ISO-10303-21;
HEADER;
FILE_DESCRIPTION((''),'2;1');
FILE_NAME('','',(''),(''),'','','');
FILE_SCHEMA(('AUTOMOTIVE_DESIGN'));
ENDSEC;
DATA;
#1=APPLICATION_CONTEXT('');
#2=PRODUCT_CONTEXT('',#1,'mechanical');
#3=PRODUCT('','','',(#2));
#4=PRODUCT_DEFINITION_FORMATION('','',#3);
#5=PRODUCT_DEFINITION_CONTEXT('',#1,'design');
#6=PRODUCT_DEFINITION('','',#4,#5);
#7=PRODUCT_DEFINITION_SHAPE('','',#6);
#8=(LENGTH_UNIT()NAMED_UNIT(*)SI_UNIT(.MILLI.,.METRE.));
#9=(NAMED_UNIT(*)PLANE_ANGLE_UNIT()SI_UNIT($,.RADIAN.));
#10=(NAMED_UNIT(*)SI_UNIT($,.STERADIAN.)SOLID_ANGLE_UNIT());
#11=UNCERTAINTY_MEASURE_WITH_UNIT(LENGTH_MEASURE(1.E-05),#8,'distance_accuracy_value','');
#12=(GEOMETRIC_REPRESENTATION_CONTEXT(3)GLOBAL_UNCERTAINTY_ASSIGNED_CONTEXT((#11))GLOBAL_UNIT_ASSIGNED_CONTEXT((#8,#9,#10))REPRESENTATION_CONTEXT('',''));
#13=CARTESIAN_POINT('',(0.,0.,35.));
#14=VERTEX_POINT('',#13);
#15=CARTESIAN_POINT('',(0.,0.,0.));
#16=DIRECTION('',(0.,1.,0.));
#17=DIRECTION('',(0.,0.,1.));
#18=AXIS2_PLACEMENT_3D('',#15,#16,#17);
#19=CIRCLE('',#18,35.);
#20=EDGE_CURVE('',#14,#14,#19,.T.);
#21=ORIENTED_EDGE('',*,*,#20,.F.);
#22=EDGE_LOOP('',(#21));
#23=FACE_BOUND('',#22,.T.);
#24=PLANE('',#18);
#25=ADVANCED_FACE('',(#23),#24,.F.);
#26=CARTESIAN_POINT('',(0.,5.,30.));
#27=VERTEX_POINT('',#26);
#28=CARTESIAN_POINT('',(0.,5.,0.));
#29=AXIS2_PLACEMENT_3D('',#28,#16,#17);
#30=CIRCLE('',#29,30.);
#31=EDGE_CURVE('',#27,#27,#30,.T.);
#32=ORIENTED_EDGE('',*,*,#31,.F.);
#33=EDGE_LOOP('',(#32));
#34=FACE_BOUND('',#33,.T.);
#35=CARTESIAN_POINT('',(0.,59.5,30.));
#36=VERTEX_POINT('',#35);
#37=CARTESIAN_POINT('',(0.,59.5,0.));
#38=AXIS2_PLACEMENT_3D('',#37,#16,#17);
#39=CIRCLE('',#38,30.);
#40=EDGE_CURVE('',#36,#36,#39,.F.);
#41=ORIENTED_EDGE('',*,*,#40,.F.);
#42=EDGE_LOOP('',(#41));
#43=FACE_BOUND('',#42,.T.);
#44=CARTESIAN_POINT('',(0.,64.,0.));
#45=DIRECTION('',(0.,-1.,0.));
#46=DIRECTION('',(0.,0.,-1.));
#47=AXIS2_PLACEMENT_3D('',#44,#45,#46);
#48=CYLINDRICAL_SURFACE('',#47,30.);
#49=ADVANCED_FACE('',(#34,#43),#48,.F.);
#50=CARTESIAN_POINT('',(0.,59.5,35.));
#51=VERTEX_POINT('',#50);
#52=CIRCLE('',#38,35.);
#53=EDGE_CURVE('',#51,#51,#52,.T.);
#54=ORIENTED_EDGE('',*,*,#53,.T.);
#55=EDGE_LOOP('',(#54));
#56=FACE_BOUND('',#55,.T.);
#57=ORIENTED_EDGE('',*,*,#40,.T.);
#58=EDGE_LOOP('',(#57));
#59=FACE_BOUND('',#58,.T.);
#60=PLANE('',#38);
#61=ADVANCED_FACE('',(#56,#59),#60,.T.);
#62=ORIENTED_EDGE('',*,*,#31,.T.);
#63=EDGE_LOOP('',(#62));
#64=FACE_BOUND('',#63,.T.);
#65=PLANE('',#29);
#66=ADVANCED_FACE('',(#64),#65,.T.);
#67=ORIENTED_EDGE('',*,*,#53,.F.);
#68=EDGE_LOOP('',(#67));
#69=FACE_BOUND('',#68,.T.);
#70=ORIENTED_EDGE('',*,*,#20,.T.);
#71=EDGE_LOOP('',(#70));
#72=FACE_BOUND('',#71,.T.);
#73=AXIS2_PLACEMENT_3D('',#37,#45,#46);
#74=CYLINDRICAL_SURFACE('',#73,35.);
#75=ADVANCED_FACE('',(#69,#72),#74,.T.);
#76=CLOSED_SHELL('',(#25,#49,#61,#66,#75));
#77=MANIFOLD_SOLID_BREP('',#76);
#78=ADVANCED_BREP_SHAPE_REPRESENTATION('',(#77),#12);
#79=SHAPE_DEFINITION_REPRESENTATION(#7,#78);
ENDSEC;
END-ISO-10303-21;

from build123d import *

# Parameters (mm, degrees)
SKETCH_1_R          = 35
EXTRUDE_1_DEPTH     = 59.5
SKETCH_2_R          = 30
CUT_EXTRUDE_1_DEPTH = 59


with BuildPart() as part:
    # 스케치1 → 보스-돌출1 (new body)
    with BuildSketch(Plane(origin=(0, 0, 0), x_dir=(1, 0, 0), z_dir=(0, 1, 0))):
        with Locations(Location((0, 0, 0), (0, 0, 270))):
            Circle(SKETCH_1_R)
    extrude(amount=EXTRUDE_1_DEPTH)

    # 스케치2 → 컷-돌출1 (cut)
    with BuildSketch(Plane(origin=(0, 5, 0), x_dir=(1, 0, 0), z_dir=(0, 1, 0))):
        with Locations(Location((0, 0, 0), (0, 0, 270))):
            Circle(SKETCH_2_R)
    extrude(amount=CUT_EXTRUDE_1_DEPTH, mode=Mode.SUBTRACT)


solid = part.part
